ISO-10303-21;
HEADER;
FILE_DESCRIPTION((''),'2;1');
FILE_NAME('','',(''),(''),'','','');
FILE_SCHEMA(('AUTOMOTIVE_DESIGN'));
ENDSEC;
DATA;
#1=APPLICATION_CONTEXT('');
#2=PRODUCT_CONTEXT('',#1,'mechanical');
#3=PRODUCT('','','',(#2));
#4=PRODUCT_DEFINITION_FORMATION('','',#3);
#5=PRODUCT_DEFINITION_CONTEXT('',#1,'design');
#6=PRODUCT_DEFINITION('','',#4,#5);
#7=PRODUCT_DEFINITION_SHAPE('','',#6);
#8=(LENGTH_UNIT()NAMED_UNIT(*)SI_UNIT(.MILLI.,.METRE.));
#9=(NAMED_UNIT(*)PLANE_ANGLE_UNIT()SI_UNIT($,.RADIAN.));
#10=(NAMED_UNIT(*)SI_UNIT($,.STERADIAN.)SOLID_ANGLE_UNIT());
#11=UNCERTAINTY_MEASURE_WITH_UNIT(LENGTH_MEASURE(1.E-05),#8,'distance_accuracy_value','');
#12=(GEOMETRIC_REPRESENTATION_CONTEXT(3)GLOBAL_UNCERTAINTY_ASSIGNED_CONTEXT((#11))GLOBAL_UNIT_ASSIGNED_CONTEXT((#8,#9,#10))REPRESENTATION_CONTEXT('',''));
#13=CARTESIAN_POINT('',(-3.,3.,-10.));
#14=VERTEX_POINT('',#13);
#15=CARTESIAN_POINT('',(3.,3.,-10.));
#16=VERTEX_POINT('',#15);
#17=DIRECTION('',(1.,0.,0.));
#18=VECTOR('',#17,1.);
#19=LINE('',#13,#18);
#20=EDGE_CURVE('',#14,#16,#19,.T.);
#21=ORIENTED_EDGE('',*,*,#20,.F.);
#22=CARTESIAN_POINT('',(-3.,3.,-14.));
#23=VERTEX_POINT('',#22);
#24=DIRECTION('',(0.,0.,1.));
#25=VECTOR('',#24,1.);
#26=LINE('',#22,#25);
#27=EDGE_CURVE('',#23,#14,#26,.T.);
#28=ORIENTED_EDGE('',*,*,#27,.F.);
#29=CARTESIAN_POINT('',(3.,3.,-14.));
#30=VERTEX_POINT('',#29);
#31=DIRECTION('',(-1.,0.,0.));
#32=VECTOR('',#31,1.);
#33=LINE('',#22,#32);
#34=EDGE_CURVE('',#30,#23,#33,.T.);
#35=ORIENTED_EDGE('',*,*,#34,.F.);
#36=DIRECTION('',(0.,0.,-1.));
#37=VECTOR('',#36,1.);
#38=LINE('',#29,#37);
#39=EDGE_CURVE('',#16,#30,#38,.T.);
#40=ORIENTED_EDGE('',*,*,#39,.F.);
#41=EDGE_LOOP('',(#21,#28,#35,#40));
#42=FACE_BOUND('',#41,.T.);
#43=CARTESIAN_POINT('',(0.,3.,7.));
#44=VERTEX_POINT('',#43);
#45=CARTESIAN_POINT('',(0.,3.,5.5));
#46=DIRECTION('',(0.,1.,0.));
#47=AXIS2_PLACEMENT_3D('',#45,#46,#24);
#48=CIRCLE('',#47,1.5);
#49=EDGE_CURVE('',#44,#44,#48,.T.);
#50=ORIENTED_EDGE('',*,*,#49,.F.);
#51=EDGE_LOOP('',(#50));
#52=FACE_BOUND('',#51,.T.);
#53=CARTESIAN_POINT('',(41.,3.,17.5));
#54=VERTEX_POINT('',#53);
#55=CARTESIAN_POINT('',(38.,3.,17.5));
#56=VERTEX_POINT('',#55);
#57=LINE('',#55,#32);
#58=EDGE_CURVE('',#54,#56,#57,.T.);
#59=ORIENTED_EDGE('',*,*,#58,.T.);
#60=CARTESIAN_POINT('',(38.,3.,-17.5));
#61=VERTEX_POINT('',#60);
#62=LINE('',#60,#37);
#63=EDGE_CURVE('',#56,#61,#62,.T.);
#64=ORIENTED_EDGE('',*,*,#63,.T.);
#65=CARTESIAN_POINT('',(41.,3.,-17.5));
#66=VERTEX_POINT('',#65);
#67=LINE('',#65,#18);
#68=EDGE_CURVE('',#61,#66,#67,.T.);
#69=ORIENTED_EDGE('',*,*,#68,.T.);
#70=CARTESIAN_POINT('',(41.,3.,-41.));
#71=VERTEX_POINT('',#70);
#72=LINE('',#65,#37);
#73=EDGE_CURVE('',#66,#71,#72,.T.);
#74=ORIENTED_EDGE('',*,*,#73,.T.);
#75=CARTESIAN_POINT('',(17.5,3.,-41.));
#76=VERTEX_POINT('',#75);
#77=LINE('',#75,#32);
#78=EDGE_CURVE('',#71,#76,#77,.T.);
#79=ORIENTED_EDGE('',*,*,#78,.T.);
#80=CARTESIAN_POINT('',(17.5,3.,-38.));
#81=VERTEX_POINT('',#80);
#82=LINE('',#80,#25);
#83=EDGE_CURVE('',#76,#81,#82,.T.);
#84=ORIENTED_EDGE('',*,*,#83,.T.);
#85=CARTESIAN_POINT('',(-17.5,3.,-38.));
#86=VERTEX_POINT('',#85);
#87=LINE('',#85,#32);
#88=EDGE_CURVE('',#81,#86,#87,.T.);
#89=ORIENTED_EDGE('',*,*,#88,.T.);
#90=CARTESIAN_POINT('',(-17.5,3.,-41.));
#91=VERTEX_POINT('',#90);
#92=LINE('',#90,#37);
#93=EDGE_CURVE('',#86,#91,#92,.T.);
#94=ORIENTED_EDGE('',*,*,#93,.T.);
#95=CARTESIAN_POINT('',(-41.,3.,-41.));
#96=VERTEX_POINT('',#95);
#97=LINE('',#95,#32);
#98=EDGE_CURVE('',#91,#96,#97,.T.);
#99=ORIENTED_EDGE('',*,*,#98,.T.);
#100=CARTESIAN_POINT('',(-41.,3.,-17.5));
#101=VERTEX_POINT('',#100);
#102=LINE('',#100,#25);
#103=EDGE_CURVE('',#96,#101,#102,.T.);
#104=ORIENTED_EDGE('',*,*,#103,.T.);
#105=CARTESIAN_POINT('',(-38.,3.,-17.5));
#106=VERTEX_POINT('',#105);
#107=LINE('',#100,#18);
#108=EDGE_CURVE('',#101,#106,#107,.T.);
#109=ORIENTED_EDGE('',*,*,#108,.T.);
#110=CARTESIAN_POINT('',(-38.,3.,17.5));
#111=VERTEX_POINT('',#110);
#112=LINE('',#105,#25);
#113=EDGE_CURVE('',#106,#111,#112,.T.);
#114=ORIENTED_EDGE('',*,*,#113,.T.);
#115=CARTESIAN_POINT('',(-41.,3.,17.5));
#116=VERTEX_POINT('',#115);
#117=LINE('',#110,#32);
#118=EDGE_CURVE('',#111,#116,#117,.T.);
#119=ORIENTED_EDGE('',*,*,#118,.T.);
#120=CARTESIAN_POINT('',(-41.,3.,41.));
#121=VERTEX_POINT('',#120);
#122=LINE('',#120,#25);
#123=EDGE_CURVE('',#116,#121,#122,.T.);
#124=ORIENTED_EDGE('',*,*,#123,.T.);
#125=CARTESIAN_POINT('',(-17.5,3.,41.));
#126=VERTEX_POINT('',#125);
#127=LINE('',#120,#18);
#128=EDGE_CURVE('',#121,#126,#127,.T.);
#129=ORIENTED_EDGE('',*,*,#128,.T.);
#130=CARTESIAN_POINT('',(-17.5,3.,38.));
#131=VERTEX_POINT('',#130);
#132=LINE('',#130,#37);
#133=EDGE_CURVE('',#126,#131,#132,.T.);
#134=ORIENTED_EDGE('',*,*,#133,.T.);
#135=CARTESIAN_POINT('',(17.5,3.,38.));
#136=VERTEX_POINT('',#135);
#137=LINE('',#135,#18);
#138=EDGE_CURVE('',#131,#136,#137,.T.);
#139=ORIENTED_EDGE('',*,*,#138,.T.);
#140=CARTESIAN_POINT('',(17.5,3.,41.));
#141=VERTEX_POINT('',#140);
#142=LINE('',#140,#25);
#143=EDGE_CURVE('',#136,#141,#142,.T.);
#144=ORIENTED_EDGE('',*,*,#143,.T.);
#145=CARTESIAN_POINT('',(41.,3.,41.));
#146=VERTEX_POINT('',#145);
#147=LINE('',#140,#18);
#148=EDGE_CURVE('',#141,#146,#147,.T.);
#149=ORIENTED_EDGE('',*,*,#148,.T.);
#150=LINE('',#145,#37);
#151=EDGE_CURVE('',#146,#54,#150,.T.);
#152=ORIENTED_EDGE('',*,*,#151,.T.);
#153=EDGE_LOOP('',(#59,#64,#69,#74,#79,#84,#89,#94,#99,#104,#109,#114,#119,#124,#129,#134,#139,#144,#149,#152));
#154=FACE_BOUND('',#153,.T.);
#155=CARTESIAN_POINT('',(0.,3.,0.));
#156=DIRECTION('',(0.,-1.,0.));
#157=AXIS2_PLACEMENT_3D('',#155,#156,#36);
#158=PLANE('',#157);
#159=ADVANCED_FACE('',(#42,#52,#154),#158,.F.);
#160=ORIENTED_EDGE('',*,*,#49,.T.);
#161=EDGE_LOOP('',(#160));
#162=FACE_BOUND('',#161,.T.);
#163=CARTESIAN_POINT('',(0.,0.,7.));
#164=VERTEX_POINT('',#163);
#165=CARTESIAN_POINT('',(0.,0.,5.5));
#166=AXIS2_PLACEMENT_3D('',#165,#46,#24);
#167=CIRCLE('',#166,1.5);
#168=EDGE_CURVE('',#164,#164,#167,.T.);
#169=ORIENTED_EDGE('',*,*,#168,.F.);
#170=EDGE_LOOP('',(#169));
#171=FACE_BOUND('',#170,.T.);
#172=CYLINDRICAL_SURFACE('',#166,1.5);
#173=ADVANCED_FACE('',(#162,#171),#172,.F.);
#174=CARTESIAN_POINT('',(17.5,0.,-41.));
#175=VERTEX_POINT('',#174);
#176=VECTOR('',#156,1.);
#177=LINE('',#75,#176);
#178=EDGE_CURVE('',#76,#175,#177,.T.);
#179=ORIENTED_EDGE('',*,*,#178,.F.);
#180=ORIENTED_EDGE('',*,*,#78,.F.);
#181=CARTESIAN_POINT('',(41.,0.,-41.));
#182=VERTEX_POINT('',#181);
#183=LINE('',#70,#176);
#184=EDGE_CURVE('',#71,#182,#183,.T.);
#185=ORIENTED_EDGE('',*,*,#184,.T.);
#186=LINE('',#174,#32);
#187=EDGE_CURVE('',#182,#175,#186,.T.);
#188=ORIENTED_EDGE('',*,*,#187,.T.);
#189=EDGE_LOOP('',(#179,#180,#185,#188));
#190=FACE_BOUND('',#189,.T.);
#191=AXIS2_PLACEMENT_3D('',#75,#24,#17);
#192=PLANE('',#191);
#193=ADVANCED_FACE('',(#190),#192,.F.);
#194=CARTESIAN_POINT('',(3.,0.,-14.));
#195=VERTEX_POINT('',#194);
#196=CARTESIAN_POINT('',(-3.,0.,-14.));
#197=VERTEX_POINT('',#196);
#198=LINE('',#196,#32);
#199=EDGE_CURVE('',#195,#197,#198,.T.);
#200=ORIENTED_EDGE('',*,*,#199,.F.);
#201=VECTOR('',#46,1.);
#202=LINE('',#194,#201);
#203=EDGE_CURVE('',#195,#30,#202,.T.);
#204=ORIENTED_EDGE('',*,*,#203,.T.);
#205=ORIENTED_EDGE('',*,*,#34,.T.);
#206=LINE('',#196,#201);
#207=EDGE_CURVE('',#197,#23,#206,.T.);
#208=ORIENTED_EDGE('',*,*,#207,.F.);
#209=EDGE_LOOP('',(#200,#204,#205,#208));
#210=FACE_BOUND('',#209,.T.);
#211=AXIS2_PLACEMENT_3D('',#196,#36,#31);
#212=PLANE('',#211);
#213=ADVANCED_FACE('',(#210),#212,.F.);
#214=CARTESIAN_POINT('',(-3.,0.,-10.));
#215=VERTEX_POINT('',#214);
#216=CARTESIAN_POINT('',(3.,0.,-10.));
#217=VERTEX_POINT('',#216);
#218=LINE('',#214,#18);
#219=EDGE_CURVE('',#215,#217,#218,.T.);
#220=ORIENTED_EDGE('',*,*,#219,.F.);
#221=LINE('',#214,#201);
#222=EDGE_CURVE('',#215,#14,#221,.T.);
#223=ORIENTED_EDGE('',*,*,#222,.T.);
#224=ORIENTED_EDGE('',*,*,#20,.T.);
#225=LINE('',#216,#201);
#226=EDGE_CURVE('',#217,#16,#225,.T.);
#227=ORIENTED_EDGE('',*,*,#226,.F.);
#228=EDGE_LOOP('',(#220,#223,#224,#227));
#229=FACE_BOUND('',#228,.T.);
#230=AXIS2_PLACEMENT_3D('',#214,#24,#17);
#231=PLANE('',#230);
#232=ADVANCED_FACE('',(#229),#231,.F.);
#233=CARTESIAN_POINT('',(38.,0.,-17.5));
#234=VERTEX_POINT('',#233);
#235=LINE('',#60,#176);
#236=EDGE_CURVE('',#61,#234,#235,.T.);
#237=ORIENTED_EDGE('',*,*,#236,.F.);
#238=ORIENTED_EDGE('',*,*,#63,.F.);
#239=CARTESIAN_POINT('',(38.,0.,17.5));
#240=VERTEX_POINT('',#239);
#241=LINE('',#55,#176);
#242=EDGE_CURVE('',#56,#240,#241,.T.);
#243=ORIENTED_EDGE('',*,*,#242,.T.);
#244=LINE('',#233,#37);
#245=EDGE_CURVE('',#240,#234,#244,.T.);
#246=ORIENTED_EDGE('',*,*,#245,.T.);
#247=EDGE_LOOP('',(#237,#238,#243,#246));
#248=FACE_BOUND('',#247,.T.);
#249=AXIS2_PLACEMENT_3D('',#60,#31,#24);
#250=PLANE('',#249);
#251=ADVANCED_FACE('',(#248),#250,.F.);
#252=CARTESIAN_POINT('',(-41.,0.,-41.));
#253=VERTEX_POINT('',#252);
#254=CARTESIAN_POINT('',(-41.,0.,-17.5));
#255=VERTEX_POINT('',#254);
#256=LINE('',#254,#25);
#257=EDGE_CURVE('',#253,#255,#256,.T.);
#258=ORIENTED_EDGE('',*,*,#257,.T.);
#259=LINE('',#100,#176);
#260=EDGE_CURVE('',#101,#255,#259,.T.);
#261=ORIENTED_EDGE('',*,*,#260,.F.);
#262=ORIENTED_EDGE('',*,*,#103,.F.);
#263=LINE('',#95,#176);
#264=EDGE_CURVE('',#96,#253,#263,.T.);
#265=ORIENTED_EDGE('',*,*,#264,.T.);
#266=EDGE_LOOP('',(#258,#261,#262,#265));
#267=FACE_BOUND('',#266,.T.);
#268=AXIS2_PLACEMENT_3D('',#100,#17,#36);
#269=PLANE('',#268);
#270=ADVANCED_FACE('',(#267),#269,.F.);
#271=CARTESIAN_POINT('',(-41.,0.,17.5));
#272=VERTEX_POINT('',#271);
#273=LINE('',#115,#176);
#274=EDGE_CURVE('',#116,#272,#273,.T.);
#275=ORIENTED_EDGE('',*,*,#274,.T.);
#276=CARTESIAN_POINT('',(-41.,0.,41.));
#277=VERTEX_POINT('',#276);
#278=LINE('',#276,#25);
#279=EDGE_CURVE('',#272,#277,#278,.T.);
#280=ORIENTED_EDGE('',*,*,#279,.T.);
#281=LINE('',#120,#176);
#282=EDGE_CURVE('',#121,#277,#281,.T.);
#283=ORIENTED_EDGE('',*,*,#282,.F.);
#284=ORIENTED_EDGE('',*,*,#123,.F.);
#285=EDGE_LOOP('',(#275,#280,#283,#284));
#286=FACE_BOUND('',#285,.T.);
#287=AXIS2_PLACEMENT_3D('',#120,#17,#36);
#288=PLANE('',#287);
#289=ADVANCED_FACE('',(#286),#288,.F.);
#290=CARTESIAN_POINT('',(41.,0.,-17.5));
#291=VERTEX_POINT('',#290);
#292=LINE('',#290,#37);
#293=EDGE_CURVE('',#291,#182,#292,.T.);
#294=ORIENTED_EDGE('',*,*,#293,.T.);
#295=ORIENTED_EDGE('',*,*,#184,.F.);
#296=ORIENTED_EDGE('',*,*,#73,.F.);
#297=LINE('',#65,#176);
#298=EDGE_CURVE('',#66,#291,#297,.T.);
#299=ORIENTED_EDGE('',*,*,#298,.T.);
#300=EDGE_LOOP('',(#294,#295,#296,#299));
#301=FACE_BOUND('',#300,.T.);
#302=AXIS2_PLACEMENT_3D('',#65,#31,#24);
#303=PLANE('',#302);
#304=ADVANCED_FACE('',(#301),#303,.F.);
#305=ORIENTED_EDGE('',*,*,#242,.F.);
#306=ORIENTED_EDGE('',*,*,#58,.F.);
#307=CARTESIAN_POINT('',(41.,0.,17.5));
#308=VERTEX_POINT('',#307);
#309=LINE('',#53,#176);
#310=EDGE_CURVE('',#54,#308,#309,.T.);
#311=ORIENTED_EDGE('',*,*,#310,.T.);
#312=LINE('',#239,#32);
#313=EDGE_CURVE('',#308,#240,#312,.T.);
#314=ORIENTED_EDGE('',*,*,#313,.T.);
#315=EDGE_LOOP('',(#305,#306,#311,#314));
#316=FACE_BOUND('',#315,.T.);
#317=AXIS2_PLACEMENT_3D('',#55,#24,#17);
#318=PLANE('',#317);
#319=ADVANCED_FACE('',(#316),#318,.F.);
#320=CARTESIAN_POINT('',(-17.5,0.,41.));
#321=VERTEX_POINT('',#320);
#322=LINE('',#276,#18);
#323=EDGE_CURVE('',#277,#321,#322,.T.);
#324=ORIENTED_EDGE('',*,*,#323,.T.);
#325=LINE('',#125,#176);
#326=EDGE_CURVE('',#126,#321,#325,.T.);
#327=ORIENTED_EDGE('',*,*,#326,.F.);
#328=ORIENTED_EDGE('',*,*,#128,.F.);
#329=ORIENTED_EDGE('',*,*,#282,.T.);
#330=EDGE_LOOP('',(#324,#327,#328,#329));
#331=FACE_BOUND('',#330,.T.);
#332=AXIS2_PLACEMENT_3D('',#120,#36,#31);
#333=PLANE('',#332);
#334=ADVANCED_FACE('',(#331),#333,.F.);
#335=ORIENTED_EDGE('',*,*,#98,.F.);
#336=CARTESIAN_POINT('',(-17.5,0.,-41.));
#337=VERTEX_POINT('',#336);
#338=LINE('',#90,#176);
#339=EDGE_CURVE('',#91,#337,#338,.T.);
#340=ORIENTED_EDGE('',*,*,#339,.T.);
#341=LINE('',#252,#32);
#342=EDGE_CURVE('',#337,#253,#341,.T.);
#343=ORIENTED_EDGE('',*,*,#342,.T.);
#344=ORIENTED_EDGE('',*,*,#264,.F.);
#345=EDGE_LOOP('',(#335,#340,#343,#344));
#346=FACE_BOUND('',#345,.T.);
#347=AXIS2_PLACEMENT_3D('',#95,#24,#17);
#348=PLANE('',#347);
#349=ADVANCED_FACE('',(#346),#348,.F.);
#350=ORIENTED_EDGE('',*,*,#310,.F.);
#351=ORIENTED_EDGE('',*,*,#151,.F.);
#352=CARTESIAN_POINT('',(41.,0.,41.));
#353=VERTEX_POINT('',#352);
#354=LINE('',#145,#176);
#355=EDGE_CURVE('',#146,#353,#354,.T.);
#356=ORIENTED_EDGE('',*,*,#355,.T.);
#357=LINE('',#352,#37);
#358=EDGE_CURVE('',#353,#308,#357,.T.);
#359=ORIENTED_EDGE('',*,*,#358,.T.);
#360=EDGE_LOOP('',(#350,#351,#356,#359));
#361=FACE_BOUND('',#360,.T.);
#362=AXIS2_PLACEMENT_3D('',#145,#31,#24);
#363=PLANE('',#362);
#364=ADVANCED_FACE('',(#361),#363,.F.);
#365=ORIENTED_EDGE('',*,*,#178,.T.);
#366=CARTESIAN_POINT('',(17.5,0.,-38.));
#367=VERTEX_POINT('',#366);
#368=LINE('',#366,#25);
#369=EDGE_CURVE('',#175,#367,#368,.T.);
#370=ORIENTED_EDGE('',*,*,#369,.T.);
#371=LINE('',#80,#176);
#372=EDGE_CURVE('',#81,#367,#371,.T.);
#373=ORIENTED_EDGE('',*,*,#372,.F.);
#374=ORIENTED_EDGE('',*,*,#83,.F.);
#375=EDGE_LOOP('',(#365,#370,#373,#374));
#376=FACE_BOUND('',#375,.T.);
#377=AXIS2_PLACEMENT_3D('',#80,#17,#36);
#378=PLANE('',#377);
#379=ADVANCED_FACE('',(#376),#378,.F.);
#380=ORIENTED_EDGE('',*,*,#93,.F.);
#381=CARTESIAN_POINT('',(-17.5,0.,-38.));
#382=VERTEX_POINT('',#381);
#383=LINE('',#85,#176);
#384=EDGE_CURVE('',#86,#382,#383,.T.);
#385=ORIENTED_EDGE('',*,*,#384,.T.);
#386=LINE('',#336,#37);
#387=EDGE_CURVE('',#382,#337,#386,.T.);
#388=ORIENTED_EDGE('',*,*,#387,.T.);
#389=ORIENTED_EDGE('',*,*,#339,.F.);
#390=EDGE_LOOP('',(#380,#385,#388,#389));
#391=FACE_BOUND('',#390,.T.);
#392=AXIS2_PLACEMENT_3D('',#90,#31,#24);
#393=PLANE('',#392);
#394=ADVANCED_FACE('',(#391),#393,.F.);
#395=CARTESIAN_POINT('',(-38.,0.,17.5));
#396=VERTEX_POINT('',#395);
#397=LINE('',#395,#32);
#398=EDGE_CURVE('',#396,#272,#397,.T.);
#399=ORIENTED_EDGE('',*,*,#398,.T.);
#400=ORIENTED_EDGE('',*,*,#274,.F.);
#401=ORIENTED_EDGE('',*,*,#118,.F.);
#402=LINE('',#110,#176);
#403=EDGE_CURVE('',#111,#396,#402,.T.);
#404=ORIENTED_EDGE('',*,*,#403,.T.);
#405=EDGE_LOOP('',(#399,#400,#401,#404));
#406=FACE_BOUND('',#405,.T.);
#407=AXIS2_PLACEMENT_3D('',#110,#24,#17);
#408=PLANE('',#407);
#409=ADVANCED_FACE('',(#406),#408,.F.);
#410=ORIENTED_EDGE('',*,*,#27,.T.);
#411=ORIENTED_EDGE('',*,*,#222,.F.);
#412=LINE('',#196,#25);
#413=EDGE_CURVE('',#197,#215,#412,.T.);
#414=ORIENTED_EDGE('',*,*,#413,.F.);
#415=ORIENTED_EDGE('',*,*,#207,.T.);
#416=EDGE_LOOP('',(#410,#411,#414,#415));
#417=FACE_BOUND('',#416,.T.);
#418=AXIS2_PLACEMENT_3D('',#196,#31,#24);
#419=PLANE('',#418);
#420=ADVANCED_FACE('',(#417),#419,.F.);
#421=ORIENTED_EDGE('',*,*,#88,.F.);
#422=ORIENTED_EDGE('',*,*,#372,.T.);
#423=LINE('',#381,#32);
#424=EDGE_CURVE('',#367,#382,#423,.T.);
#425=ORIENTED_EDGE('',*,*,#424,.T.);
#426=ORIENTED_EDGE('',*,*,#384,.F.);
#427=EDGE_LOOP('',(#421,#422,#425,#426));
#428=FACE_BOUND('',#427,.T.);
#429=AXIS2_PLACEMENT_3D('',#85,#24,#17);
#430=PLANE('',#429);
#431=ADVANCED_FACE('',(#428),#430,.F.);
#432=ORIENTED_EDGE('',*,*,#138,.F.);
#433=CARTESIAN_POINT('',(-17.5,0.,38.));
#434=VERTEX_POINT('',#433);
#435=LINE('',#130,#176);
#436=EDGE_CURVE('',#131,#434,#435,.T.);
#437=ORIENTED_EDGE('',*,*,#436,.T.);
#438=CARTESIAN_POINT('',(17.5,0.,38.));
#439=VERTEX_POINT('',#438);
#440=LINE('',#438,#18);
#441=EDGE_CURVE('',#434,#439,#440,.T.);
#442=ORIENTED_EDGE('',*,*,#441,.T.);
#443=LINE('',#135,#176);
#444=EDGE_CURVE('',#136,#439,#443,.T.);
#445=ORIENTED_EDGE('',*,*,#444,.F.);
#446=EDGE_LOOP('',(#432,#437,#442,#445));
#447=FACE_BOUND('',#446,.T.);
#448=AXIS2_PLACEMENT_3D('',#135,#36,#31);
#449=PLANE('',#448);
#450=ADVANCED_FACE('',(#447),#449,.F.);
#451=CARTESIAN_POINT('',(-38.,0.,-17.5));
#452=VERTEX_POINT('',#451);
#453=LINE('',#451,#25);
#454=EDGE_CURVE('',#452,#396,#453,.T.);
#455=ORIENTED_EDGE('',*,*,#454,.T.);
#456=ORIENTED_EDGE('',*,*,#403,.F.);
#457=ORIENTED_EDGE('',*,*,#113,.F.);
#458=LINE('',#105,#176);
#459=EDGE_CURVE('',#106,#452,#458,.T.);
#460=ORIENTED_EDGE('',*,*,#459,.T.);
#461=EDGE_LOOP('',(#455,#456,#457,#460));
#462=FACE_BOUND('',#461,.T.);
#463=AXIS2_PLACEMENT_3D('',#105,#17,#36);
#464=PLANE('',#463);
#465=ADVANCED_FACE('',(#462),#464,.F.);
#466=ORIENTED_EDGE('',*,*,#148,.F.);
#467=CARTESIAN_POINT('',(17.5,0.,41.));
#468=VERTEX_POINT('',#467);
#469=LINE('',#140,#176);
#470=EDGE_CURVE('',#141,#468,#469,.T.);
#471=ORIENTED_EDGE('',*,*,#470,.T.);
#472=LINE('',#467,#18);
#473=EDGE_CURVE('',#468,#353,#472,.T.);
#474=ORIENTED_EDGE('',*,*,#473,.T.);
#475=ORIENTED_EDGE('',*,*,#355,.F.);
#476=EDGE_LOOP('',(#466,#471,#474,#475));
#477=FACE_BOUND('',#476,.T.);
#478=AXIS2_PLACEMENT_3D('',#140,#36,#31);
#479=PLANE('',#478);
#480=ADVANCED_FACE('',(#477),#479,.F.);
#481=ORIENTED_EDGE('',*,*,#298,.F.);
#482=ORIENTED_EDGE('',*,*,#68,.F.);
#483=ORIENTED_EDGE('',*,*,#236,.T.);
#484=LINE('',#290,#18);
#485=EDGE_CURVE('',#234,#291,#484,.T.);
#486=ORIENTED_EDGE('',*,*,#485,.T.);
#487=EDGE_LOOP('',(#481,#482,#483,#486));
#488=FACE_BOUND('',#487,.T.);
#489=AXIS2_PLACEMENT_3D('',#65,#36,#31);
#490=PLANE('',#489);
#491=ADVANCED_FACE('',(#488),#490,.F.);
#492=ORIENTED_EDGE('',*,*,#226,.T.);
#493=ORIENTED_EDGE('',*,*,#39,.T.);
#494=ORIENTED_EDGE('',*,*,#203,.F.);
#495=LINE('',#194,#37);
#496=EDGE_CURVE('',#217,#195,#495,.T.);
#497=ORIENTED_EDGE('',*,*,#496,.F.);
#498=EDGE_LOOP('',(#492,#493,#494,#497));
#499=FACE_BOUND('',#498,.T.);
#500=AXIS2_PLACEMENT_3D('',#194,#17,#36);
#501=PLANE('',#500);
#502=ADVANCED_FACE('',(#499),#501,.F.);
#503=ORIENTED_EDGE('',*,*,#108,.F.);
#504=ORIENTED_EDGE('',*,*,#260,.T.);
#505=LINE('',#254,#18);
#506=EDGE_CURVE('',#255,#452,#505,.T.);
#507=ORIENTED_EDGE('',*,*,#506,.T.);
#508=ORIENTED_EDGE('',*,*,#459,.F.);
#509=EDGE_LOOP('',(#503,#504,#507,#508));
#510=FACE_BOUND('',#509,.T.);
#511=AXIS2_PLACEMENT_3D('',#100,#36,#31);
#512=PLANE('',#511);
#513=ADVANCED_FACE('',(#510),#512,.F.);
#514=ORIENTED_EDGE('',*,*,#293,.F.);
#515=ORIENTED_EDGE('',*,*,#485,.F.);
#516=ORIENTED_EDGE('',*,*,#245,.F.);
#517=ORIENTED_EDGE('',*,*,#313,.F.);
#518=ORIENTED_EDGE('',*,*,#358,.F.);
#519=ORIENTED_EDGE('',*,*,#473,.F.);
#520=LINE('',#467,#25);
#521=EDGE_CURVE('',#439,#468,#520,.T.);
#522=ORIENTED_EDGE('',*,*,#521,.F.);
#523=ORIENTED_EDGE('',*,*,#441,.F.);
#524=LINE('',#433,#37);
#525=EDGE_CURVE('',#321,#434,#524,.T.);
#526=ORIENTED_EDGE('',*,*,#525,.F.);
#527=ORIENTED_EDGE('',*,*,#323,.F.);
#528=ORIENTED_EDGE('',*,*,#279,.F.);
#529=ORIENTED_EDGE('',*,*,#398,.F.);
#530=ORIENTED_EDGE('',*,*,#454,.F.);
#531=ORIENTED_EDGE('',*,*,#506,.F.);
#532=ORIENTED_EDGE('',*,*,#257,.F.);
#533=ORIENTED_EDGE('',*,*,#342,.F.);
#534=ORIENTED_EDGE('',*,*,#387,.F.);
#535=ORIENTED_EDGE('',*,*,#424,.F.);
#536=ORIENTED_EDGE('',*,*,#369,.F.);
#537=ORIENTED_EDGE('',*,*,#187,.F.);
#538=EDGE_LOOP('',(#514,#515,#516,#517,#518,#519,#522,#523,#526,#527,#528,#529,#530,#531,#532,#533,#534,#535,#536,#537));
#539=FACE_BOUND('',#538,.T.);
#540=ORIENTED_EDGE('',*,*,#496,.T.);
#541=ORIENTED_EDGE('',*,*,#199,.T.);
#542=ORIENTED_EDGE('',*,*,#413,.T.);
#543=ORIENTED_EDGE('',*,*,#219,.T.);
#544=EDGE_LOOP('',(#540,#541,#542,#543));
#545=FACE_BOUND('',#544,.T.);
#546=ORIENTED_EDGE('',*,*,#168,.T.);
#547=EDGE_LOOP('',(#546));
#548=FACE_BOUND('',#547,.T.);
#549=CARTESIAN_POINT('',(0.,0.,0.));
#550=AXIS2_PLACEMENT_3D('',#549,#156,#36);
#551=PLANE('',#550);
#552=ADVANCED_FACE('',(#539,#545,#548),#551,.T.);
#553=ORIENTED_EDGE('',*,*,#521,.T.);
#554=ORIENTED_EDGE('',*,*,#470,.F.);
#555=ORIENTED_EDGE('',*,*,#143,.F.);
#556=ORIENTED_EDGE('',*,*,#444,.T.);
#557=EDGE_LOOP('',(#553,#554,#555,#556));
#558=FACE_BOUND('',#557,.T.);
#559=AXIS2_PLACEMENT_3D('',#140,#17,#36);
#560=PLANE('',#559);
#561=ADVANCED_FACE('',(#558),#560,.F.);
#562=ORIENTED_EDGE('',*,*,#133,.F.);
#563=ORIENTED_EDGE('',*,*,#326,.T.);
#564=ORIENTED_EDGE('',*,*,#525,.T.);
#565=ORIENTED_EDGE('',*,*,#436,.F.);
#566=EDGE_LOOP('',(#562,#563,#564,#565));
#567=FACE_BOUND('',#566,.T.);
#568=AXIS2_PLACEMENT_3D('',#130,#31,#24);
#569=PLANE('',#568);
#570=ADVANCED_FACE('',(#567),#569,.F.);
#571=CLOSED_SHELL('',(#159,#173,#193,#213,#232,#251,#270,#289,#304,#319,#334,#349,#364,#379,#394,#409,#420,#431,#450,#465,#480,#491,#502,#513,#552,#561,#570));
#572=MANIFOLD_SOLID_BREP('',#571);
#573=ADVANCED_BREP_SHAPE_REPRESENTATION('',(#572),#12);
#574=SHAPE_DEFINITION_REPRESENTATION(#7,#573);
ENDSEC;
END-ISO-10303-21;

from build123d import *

# Parameters (mm, degrees)
BOSS_EXTRUDE1_DEPTH = 3
SKETCH2_R           = 1.5
SKETCH2_W           = 6
SKETCH2_H           = 4
CUT_EXTRUDE1_DEPTH  = 3


with BuildPart() as part:
    # Sketch1 → Boss-Extrude1 (new body)
    with BuildSketch(Plane(origin=(0, 0, 0), x_dir=(1, 0, 0), z_dir=(0, 1, 0))):
        Polygon((-41, -41), (-17.5, -41), (-17.5, -38), (17.5, -38), (17.5, -41), (41, -41), (41, -17.5), (38, -17.5), (38, 17.5), (41, 17.5), (41, 41), (17.5, 41), (17.5, 38), (-17.5, 38), (-17.5, 41), (-41, 41), (-41, 17.5), (-38, 17.5), (-38, -17.5), (-41, -17.5), align=None)
    extrude(amount=BOSS_EXTRUDE1_DEPTH)

    # Sketch2 → Cut-Extrude1 (cut)
    with BuildSketch(Plane(origin=(0, 3, 0), x_dir=(1, 0, 0), z_dir=(0, 1, 0))):
        with Locations((0, -5.5)):
            Circle(SKETCH2_R)
        with Locations((0, 12)):
            Rectangle(SKETCH2_W, SKETCH2_H)
    extrude(amount=-CUT_EXTRUDE1_DEPTH, mode=Mode.SUBTRACT)


solid = part.part
